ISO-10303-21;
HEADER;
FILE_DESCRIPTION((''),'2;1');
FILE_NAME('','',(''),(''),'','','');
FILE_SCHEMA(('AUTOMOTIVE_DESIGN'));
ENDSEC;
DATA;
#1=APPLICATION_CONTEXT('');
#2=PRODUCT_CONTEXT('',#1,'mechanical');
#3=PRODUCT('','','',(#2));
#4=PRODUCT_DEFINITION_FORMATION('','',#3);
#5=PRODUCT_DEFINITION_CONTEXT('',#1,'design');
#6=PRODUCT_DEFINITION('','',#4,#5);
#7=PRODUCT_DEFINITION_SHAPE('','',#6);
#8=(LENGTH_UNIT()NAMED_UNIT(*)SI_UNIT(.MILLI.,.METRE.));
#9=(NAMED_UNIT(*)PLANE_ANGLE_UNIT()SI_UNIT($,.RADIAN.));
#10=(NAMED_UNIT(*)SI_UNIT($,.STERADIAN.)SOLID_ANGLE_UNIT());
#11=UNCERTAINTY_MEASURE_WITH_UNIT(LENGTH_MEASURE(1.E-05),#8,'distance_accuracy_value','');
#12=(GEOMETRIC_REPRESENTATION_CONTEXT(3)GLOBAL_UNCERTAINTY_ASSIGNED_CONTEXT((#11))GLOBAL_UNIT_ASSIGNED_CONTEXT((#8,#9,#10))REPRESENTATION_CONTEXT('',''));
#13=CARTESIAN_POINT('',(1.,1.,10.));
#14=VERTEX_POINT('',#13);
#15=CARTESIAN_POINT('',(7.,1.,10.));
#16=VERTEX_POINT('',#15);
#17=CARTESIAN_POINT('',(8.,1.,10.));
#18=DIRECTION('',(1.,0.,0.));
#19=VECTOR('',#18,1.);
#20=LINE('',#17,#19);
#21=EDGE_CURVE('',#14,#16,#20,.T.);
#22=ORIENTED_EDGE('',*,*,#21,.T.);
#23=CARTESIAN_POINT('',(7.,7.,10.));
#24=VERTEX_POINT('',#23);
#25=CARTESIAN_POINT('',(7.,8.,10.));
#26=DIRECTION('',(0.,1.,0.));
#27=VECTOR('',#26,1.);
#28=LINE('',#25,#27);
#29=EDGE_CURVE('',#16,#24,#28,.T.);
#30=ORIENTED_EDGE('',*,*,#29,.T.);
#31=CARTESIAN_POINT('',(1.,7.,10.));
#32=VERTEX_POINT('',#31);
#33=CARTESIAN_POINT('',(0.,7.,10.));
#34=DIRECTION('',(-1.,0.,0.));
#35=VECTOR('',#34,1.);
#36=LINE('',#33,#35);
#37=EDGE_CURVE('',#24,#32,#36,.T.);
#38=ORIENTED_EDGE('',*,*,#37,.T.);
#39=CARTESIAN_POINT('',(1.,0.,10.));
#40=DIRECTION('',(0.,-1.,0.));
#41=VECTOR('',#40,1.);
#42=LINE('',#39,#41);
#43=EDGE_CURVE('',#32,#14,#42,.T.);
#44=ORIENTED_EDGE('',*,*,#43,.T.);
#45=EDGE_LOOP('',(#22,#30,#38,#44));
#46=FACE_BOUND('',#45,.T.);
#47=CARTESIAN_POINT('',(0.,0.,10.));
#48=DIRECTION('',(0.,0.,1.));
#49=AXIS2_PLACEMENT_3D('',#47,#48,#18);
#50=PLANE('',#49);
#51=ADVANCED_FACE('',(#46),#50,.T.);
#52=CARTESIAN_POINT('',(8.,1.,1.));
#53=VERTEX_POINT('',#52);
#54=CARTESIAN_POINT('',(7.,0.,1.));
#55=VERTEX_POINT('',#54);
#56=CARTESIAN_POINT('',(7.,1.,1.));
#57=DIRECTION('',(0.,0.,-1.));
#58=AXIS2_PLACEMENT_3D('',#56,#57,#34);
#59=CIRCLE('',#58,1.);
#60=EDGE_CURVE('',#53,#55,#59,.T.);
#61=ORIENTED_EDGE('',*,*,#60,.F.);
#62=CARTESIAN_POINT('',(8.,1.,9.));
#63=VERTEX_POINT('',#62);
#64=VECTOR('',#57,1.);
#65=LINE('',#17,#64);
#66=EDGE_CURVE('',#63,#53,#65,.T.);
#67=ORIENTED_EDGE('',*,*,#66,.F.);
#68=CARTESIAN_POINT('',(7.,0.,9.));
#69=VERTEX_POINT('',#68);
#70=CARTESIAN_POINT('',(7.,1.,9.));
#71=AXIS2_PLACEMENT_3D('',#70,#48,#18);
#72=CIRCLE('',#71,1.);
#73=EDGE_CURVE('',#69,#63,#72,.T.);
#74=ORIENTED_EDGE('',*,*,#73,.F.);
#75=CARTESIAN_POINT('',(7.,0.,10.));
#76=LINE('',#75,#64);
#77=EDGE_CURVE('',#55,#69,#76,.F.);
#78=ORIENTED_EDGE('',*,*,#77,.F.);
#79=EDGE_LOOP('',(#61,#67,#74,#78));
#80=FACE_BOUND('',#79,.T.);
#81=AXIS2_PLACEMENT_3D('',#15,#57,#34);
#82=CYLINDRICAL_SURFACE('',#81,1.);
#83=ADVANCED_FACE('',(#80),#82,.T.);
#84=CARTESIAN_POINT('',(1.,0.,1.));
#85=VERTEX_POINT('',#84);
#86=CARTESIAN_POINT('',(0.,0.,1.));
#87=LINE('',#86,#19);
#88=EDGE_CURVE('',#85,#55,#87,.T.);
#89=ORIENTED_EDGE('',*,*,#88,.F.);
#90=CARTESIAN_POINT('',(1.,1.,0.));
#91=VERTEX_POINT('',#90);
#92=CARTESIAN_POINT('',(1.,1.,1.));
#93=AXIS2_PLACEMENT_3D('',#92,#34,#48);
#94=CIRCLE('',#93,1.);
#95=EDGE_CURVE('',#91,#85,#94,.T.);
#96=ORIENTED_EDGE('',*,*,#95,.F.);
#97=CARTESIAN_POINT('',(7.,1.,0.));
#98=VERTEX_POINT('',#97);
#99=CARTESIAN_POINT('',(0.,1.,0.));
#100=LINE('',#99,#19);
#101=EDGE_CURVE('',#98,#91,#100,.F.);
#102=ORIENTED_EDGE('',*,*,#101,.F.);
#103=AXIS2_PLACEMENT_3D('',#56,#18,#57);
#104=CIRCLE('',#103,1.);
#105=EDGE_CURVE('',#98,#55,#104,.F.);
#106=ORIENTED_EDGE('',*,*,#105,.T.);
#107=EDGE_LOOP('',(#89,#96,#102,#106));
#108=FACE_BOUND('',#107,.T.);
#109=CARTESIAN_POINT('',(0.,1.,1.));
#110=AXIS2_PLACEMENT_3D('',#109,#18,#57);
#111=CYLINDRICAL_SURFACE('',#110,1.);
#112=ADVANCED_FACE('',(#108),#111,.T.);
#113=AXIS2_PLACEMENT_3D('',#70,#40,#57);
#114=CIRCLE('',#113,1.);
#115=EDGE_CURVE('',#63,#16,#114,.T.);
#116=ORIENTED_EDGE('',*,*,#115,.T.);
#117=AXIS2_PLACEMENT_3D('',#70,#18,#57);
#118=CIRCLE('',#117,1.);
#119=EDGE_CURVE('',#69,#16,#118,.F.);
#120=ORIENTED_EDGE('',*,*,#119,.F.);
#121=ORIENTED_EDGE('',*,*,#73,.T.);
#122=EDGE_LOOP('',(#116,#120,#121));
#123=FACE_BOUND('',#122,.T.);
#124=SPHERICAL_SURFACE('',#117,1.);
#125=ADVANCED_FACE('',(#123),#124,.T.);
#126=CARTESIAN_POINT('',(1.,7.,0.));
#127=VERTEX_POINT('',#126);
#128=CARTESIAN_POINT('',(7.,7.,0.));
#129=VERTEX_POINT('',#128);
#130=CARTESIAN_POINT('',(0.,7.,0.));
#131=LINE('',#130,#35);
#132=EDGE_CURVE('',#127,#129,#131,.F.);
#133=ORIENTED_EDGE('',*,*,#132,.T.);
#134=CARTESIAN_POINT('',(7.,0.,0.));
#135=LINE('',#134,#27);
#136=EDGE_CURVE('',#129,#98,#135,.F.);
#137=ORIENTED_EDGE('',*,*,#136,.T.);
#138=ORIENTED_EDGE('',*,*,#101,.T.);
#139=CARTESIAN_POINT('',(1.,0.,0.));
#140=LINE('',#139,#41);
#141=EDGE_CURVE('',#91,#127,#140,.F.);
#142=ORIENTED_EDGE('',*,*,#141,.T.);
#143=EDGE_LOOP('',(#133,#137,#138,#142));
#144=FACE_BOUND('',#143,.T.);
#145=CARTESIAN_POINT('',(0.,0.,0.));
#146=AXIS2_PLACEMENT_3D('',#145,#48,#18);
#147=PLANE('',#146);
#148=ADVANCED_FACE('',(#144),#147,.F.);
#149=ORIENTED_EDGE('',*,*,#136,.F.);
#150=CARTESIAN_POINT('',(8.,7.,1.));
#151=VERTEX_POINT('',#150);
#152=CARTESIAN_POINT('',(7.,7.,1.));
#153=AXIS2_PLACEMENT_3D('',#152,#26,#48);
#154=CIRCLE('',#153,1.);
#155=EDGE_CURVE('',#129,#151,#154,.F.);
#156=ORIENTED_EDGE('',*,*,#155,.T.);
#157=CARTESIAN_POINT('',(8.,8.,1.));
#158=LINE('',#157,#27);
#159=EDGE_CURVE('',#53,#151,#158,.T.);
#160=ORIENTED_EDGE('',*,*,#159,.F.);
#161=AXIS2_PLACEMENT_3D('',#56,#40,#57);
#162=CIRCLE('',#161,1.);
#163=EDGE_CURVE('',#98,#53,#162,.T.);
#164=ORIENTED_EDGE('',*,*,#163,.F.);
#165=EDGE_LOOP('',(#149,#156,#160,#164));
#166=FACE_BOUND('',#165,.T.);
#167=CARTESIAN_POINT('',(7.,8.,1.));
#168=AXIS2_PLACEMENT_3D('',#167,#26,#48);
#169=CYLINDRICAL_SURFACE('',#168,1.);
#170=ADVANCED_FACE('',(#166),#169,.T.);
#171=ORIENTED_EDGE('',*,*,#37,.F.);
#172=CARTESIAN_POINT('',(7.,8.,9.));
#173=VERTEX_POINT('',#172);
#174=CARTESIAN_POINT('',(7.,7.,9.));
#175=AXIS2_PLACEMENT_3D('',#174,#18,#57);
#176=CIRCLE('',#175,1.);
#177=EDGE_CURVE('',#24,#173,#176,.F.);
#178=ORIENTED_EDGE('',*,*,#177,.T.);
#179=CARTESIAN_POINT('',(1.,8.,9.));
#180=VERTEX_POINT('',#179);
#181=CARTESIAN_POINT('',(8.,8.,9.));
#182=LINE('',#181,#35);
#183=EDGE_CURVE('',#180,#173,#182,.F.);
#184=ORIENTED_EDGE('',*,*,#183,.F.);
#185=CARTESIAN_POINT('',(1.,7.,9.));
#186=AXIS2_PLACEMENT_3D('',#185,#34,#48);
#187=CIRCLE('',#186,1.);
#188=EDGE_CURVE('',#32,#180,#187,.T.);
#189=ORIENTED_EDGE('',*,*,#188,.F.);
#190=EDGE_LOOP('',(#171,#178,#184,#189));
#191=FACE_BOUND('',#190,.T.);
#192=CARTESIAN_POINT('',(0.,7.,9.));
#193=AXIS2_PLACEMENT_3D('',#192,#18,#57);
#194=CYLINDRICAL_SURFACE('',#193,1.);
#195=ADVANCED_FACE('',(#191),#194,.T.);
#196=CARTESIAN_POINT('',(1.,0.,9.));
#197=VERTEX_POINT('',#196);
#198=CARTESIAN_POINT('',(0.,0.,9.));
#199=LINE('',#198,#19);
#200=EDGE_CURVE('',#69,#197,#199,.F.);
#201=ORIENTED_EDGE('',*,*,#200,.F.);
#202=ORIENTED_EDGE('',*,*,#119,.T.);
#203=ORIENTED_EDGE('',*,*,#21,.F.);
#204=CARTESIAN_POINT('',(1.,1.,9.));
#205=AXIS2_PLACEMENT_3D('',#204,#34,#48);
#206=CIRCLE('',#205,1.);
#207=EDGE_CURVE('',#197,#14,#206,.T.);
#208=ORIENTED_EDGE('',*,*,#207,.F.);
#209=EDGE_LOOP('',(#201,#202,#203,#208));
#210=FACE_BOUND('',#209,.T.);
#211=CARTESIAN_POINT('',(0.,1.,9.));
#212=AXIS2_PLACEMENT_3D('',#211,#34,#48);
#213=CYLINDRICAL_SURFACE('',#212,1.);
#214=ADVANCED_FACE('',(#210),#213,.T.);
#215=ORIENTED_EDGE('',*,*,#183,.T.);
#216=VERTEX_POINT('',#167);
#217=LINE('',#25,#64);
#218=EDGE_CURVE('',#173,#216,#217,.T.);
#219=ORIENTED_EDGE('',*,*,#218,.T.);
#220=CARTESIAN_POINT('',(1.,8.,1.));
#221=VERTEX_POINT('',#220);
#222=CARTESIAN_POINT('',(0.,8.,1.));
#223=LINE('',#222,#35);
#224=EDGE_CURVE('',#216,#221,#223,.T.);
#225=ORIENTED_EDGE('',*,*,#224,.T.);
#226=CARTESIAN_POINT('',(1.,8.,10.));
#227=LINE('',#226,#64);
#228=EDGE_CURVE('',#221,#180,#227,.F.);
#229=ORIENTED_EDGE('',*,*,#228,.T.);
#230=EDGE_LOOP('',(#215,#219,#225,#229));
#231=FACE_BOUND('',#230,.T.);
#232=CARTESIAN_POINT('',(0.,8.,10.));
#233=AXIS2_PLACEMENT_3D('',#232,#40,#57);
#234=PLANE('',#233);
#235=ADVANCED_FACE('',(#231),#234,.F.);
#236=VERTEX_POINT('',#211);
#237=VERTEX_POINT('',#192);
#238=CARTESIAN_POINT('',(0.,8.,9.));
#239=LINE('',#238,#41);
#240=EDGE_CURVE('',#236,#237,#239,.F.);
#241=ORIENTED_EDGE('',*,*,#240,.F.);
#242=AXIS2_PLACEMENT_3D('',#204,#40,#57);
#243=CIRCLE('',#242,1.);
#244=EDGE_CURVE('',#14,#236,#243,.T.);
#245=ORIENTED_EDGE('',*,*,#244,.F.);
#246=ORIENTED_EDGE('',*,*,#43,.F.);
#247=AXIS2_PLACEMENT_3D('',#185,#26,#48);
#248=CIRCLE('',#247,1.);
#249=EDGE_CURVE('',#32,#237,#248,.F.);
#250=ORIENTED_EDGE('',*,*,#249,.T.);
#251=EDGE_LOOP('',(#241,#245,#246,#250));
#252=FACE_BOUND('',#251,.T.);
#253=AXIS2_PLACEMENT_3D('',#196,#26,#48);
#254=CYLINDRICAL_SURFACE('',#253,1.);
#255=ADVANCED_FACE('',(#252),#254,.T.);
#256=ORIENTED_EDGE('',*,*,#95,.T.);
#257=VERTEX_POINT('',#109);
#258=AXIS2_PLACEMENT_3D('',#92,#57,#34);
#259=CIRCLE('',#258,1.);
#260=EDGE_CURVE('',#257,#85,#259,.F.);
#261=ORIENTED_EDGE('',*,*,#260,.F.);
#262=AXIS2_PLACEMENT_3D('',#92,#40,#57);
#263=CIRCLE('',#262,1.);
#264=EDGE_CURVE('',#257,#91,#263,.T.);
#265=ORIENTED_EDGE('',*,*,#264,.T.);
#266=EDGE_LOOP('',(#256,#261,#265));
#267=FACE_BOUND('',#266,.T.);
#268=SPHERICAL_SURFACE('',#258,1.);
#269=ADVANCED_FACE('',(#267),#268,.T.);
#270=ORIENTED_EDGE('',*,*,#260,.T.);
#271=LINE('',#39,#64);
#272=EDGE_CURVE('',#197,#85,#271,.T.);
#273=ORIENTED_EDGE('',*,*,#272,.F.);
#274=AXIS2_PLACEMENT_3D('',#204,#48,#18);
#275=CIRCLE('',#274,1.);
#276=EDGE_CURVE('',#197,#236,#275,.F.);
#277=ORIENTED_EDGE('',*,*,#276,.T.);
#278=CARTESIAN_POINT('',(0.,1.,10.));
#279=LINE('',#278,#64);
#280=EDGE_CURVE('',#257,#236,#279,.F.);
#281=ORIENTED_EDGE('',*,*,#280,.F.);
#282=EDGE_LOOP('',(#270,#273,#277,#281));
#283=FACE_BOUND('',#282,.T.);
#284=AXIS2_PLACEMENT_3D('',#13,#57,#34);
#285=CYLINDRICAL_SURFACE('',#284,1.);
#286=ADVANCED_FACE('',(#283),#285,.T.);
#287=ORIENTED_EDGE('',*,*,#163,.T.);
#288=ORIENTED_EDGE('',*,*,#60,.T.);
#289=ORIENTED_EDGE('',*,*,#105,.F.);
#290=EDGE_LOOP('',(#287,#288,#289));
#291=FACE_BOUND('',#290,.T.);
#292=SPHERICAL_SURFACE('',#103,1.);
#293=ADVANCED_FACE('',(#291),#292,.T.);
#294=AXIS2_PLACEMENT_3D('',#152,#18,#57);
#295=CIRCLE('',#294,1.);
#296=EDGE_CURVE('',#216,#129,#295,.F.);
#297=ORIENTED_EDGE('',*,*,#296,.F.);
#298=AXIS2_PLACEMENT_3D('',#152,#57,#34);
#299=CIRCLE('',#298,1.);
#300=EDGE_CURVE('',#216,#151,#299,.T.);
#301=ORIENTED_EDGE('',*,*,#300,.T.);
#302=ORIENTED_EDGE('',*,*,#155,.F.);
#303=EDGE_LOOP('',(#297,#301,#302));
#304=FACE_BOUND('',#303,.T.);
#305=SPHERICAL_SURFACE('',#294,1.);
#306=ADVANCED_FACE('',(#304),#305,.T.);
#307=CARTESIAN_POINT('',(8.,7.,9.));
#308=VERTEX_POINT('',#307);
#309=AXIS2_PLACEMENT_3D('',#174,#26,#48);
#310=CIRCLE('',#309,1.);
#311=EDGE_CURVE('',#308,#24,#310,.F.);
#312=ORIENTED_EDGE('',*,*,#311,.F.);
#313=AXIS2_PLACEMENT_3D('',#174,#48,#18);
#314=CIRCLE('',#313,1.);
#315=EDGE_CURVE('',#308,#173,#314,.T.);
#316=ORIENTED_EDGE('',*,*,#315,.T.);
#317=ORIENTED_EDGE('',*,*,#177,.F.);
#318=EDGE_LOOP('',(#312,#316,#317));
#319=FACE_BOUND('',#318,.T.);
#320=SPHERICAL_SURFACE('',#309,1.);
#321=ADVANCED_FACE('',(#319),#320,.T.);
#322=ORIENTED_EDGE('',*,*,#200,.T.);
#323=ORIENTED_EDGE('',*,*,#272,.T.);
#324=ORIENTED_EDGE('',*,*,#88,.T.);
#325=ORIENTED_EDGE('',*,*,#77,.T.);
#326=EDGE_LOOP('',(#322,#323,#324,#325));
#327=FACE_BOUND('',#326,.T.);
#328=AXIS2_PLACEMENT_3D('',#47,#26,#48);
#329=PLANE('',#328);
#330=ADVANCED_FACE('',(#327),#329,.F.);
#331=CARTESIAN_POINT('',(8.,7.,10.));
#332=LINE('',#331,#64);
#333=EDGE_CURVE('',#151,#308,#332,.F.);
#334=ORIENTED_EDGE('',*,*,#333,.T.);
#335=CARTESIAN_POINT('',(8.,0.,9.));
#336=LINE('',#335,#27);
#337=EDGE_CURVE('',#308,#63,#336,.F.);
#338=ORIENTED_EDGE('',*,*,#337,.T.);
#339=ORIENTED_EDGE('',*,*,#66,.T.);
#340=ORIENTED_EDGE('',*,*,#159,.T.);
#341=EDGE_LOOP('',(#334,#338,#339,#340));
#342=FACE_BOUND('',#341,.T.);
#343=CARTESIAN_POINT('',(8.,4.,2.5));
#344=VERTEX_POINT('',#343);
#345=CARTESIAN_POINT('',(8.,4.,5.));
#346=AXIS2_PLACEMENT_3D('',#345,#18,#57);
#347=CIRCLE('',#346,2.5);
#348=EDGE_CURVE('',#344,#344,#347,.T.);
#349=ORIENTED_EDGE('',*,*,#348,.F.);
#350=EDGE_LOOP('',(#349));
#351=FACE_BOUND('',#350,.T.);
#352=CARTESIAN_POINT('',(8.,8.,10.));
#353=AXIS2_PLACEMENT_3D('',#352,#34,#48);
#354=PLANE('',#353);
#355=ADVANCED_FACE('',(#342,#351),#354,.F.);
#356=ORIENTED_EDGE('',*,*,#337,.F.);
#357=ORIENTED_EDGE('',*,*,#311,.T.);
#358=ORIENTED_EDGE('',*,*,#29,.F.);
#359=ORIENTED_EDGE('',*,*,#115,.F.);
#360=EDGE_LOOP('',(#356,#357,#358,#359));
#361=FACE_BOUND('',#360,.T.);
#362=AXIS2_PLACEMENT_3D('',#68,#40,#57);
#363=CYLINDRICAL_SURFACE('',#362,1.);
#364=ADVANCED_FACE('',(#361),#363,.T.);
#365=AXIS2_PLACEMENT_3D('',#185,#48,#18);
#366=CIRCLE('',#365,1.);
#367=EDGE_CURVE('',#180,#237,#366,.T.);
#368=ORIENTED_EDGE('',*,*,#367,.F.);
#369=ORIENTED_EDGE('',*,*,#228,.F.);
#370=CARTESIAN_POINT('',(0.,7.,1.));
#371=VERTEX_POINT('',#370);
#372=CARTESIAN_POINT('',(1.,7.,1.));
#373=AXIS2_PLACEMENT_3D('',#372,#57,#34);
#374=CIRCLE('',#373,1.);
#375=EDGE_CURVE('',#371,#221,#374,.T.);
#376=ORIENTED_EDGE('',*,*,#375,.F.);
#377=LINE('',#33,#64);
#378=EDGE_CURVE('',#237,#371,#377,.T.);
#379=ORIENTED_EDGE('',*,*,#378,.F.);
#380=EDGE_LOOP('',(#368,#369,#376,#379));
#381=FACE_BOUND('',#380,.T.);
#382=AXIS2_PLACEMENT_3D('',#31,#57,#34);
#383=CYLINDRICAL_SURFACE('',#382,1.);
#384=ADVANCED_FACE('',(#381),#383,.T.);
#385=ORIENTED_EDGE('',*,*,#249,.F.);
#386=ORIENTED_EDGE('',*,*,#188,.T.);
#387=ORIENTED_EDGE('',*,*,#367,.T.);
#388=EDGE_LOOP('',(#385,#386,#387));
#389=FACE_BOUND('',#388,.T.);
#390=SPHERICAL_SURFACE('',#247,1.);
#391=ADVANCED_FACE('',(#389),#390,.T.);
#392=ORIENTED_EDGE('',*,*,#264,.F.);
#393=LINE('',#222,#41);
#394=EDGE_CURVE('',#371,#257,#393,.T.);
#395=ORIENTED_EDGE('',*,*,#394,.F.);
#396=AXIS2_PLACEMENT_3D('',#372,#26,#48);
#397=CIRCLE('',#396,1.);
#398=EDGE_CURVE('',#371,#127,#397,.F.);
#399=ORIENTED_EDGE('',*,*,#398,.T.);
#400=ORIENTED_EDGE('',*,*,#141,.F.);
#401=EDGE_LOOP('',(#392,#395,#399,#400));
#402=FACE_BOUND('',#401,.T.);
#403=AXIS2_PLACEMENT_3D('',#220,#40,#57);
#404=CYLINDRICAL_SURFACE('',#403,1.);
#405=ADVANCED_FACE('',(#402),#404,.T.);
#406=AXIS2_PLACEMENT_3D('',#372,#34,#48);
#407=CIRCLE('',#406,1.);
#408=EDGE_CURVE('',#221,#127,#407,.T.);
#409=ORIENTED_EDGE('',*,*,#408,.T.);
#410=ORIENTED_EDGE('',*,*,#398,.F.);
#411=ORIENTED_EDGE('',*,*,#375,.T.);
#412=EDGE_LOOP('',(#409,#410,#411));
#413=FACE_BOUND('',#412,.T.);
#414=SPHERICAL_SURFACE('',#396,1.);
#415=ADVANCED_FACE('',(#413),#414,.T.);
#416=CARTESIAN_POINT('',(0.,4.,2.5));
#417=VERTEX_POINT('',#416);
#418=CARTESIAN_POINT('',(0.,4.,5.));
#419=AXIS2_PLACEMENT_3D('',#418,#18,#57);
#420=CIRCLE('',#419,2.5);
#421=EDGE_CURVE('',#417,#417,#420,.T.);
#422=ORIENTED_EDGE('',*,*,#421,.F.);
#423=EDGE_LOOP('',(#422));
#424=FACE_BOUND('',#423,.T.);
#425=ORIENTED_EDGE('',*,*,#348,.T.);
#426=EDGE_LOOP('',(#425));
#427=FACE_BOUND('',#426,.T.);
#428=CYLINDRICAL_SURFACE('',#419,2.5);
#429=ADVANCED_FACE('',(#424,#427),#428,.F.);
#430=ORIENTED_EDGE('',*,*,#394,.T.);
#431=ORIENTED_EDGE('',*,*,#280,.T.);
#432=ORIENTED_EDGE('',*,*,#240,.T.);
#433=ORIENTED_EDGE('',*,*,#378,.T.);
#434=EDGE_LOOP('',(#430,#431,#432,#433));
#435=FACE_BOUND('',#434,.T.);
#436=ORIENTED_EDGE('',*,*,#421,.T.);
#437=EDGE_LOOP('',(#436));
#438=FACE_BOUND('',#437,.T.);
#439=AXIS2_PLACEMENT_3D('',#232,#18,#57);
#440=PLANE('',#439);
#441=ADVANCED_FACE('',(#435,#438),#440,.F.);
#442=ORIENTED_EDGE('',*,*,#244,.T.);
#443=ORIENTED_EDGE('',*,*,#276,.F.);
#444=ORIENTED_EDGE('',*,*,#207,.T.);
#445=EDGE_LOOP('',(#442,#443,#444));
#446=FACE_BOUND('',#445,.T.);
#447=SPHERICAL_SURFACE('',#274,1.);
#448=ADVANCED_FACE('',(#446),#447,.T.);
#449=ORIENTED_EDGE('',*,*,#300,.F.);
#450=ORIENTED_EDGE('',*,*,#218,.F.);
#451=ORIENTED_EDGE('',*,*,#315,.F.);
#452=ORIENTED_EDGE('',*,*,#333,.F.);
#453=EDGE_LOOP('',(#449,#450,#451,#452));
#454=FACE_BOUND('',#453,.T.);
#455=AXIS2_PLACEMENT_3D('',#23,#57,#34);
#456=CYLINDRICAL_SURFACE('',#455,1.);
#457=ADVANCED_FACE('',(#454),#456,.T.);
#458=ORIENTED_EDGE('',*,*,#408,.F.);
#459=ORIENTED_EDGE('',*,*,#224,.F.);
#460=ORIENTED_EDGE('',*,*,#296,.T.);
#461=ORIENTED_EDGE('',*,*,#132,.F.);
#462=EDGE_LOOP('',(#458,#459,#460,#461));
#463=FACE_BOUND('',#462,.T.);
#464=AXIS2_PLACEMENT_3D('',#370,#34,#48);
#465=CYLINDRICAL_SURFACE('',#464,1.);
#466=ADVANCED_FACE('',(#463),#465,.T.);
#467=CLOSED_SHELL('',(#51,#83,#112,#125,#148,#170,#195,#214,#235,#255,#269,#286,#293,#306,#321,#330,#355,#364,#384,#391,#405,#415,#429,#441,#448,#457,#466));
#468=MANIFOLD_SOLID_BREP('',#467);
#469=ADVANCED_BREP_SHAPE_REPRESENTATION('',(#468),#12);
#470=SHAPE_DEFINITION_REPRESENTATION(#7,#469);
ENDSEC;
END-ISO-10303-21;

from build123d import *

# Parameters (mm, degrees)
SKETCH_1_W          = 8
SKETCH_1_H          = 8
EXTRUDE_1_DEPTH     = 10
SKETCH_4_R          = 2.5
CUT_EXTRUDE_2_DEPTH = 9
FILLET_1_R          = 1


with BuildPart() as part:
    # 草图1 → 凸台-拉伸1 (new body)
    with BuildSketch(Plane.XY):
        with Locations((4, 4)):
            Rectangle(SKETCH_1_W, SKETCH_1_H)
    extrude(amount=EXTRUDE_1_DEPTH)

    # 草图4 → 切除-拉伸2 (cut, through all)
    with BuildSketch(Plane(origin=(8, 0, 0), x_dir=(0, 0, -1), z_dir=(1, 0, 0))):
        with Locations((-5, 4)):
            Circle(SKETCH_4_R)
    extrude(amount=-CUT_EXTRUDE_2_DEPTH, mode=Mode.SUBTRACT)

    # 圆角1
    fillet_1_edges = [part.edges().sort_by_distance(p)[0] for p in [
        (8, 4, 10),
        (4, 8, 10),
        (0, 4, 10),
        (4, 8, 0),
        (8, 4, 0),
        (4, 0, 0),
        (0, 4, 0),
        (0, 8, 5),
        (8, 8, 5),
        (8, 0, 5),
        (0, 0, 5),
        (4, 0, 10),
    ]]
    fillet(fillet_1_edges, radius=FILLET_1_R)


solid = part.part
